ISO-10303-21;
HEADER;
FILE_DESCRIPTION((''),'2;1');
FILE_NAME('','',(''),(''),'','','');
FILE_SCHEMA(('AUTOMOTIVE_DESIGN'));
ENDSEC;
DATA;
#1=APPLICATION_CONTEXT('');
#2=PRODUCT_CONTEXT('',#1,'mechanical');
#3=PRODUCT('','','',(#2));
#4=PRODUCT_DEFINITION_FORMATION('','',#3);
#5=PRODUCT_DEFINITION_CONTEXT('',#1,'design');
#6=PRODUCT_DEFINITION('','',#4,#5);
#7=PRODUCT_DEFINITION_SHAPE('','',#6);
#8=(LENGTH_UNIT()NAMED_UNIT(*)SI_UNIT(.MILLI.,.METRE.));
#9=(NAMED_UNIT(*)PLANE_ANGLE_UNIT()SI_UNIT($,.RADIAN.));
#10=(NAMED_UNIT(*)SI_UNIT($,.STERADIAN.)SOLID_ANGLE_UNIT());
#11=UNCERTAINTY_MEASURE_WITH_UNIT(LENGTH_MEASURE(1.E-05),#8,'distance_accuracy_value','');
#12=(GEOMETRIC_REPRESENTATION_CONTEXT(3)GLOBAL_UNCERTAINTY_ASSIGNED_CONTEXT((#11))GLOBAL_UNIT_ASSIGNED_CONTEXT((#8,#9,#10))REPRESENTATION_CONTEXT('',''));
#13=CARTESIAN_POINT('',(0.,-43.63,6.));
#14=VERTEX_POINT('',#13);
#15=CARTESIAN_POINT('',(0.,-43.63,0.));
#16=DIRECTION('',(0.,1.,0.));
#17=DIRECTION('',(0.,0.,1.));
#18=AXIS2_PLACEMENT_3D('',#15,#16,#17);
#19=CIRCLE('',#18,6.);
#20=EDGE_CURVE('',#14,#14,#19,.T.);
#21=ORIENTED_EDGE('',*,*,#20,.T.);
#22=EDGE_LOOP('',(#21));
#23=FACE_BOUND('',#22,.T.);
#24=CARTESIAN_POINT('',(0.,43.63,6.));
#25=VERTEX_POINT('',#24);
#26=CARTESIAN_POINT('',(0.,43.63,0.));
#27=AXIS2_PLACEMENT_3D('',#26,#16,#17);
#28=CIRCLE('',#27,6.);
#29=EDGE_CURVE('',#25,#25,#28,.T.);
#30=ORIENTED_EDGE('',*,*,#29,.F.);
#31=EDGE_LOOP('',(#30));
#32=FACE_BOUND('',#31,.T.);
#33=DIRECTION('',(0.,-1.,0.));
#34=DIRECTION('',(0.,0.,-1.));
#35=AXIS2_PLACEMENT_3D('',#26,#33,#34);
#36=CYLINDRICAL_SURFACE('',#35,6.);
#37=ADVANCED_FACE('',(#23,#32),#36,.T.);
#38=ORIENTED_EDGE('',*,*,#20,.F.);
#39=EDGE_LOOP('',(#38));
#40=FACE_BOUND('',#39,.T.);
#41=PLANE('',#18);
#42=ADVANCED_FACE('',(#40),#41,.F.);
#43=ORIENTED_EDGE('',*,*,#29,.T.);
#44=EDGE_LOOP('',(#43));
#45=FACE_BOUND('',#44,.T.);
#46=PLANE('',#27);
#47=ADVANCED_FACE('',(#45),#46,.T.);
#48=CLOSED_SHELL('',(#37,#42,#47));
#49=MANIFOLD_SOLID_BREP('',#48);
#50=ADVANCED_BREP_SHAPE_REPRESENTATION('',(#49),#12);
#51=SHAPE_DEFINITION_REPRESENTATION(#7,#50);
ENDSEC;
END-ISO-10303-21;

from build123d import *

# Parameters (mm, degrees)
SKETCH_1_R      = 6
EXTRUDE_1_DEPTH = 43.63


with BuildPart() as part:
    # 草图1 → 凸台-拉伸1 (new, symmetric)
    with BuildSketch(Plane(origin=(0, 0, 0), x_dir=(1, 0, 0), z_dir=(0, 1, 0))):
        with Locations(Location((0, 0, 0), (0, 0, 270))):
            Circle(SKETCH_1_R)
    extrude(amount=EXTRUDE_1_DEPTH, both=True)


solid = part.part
